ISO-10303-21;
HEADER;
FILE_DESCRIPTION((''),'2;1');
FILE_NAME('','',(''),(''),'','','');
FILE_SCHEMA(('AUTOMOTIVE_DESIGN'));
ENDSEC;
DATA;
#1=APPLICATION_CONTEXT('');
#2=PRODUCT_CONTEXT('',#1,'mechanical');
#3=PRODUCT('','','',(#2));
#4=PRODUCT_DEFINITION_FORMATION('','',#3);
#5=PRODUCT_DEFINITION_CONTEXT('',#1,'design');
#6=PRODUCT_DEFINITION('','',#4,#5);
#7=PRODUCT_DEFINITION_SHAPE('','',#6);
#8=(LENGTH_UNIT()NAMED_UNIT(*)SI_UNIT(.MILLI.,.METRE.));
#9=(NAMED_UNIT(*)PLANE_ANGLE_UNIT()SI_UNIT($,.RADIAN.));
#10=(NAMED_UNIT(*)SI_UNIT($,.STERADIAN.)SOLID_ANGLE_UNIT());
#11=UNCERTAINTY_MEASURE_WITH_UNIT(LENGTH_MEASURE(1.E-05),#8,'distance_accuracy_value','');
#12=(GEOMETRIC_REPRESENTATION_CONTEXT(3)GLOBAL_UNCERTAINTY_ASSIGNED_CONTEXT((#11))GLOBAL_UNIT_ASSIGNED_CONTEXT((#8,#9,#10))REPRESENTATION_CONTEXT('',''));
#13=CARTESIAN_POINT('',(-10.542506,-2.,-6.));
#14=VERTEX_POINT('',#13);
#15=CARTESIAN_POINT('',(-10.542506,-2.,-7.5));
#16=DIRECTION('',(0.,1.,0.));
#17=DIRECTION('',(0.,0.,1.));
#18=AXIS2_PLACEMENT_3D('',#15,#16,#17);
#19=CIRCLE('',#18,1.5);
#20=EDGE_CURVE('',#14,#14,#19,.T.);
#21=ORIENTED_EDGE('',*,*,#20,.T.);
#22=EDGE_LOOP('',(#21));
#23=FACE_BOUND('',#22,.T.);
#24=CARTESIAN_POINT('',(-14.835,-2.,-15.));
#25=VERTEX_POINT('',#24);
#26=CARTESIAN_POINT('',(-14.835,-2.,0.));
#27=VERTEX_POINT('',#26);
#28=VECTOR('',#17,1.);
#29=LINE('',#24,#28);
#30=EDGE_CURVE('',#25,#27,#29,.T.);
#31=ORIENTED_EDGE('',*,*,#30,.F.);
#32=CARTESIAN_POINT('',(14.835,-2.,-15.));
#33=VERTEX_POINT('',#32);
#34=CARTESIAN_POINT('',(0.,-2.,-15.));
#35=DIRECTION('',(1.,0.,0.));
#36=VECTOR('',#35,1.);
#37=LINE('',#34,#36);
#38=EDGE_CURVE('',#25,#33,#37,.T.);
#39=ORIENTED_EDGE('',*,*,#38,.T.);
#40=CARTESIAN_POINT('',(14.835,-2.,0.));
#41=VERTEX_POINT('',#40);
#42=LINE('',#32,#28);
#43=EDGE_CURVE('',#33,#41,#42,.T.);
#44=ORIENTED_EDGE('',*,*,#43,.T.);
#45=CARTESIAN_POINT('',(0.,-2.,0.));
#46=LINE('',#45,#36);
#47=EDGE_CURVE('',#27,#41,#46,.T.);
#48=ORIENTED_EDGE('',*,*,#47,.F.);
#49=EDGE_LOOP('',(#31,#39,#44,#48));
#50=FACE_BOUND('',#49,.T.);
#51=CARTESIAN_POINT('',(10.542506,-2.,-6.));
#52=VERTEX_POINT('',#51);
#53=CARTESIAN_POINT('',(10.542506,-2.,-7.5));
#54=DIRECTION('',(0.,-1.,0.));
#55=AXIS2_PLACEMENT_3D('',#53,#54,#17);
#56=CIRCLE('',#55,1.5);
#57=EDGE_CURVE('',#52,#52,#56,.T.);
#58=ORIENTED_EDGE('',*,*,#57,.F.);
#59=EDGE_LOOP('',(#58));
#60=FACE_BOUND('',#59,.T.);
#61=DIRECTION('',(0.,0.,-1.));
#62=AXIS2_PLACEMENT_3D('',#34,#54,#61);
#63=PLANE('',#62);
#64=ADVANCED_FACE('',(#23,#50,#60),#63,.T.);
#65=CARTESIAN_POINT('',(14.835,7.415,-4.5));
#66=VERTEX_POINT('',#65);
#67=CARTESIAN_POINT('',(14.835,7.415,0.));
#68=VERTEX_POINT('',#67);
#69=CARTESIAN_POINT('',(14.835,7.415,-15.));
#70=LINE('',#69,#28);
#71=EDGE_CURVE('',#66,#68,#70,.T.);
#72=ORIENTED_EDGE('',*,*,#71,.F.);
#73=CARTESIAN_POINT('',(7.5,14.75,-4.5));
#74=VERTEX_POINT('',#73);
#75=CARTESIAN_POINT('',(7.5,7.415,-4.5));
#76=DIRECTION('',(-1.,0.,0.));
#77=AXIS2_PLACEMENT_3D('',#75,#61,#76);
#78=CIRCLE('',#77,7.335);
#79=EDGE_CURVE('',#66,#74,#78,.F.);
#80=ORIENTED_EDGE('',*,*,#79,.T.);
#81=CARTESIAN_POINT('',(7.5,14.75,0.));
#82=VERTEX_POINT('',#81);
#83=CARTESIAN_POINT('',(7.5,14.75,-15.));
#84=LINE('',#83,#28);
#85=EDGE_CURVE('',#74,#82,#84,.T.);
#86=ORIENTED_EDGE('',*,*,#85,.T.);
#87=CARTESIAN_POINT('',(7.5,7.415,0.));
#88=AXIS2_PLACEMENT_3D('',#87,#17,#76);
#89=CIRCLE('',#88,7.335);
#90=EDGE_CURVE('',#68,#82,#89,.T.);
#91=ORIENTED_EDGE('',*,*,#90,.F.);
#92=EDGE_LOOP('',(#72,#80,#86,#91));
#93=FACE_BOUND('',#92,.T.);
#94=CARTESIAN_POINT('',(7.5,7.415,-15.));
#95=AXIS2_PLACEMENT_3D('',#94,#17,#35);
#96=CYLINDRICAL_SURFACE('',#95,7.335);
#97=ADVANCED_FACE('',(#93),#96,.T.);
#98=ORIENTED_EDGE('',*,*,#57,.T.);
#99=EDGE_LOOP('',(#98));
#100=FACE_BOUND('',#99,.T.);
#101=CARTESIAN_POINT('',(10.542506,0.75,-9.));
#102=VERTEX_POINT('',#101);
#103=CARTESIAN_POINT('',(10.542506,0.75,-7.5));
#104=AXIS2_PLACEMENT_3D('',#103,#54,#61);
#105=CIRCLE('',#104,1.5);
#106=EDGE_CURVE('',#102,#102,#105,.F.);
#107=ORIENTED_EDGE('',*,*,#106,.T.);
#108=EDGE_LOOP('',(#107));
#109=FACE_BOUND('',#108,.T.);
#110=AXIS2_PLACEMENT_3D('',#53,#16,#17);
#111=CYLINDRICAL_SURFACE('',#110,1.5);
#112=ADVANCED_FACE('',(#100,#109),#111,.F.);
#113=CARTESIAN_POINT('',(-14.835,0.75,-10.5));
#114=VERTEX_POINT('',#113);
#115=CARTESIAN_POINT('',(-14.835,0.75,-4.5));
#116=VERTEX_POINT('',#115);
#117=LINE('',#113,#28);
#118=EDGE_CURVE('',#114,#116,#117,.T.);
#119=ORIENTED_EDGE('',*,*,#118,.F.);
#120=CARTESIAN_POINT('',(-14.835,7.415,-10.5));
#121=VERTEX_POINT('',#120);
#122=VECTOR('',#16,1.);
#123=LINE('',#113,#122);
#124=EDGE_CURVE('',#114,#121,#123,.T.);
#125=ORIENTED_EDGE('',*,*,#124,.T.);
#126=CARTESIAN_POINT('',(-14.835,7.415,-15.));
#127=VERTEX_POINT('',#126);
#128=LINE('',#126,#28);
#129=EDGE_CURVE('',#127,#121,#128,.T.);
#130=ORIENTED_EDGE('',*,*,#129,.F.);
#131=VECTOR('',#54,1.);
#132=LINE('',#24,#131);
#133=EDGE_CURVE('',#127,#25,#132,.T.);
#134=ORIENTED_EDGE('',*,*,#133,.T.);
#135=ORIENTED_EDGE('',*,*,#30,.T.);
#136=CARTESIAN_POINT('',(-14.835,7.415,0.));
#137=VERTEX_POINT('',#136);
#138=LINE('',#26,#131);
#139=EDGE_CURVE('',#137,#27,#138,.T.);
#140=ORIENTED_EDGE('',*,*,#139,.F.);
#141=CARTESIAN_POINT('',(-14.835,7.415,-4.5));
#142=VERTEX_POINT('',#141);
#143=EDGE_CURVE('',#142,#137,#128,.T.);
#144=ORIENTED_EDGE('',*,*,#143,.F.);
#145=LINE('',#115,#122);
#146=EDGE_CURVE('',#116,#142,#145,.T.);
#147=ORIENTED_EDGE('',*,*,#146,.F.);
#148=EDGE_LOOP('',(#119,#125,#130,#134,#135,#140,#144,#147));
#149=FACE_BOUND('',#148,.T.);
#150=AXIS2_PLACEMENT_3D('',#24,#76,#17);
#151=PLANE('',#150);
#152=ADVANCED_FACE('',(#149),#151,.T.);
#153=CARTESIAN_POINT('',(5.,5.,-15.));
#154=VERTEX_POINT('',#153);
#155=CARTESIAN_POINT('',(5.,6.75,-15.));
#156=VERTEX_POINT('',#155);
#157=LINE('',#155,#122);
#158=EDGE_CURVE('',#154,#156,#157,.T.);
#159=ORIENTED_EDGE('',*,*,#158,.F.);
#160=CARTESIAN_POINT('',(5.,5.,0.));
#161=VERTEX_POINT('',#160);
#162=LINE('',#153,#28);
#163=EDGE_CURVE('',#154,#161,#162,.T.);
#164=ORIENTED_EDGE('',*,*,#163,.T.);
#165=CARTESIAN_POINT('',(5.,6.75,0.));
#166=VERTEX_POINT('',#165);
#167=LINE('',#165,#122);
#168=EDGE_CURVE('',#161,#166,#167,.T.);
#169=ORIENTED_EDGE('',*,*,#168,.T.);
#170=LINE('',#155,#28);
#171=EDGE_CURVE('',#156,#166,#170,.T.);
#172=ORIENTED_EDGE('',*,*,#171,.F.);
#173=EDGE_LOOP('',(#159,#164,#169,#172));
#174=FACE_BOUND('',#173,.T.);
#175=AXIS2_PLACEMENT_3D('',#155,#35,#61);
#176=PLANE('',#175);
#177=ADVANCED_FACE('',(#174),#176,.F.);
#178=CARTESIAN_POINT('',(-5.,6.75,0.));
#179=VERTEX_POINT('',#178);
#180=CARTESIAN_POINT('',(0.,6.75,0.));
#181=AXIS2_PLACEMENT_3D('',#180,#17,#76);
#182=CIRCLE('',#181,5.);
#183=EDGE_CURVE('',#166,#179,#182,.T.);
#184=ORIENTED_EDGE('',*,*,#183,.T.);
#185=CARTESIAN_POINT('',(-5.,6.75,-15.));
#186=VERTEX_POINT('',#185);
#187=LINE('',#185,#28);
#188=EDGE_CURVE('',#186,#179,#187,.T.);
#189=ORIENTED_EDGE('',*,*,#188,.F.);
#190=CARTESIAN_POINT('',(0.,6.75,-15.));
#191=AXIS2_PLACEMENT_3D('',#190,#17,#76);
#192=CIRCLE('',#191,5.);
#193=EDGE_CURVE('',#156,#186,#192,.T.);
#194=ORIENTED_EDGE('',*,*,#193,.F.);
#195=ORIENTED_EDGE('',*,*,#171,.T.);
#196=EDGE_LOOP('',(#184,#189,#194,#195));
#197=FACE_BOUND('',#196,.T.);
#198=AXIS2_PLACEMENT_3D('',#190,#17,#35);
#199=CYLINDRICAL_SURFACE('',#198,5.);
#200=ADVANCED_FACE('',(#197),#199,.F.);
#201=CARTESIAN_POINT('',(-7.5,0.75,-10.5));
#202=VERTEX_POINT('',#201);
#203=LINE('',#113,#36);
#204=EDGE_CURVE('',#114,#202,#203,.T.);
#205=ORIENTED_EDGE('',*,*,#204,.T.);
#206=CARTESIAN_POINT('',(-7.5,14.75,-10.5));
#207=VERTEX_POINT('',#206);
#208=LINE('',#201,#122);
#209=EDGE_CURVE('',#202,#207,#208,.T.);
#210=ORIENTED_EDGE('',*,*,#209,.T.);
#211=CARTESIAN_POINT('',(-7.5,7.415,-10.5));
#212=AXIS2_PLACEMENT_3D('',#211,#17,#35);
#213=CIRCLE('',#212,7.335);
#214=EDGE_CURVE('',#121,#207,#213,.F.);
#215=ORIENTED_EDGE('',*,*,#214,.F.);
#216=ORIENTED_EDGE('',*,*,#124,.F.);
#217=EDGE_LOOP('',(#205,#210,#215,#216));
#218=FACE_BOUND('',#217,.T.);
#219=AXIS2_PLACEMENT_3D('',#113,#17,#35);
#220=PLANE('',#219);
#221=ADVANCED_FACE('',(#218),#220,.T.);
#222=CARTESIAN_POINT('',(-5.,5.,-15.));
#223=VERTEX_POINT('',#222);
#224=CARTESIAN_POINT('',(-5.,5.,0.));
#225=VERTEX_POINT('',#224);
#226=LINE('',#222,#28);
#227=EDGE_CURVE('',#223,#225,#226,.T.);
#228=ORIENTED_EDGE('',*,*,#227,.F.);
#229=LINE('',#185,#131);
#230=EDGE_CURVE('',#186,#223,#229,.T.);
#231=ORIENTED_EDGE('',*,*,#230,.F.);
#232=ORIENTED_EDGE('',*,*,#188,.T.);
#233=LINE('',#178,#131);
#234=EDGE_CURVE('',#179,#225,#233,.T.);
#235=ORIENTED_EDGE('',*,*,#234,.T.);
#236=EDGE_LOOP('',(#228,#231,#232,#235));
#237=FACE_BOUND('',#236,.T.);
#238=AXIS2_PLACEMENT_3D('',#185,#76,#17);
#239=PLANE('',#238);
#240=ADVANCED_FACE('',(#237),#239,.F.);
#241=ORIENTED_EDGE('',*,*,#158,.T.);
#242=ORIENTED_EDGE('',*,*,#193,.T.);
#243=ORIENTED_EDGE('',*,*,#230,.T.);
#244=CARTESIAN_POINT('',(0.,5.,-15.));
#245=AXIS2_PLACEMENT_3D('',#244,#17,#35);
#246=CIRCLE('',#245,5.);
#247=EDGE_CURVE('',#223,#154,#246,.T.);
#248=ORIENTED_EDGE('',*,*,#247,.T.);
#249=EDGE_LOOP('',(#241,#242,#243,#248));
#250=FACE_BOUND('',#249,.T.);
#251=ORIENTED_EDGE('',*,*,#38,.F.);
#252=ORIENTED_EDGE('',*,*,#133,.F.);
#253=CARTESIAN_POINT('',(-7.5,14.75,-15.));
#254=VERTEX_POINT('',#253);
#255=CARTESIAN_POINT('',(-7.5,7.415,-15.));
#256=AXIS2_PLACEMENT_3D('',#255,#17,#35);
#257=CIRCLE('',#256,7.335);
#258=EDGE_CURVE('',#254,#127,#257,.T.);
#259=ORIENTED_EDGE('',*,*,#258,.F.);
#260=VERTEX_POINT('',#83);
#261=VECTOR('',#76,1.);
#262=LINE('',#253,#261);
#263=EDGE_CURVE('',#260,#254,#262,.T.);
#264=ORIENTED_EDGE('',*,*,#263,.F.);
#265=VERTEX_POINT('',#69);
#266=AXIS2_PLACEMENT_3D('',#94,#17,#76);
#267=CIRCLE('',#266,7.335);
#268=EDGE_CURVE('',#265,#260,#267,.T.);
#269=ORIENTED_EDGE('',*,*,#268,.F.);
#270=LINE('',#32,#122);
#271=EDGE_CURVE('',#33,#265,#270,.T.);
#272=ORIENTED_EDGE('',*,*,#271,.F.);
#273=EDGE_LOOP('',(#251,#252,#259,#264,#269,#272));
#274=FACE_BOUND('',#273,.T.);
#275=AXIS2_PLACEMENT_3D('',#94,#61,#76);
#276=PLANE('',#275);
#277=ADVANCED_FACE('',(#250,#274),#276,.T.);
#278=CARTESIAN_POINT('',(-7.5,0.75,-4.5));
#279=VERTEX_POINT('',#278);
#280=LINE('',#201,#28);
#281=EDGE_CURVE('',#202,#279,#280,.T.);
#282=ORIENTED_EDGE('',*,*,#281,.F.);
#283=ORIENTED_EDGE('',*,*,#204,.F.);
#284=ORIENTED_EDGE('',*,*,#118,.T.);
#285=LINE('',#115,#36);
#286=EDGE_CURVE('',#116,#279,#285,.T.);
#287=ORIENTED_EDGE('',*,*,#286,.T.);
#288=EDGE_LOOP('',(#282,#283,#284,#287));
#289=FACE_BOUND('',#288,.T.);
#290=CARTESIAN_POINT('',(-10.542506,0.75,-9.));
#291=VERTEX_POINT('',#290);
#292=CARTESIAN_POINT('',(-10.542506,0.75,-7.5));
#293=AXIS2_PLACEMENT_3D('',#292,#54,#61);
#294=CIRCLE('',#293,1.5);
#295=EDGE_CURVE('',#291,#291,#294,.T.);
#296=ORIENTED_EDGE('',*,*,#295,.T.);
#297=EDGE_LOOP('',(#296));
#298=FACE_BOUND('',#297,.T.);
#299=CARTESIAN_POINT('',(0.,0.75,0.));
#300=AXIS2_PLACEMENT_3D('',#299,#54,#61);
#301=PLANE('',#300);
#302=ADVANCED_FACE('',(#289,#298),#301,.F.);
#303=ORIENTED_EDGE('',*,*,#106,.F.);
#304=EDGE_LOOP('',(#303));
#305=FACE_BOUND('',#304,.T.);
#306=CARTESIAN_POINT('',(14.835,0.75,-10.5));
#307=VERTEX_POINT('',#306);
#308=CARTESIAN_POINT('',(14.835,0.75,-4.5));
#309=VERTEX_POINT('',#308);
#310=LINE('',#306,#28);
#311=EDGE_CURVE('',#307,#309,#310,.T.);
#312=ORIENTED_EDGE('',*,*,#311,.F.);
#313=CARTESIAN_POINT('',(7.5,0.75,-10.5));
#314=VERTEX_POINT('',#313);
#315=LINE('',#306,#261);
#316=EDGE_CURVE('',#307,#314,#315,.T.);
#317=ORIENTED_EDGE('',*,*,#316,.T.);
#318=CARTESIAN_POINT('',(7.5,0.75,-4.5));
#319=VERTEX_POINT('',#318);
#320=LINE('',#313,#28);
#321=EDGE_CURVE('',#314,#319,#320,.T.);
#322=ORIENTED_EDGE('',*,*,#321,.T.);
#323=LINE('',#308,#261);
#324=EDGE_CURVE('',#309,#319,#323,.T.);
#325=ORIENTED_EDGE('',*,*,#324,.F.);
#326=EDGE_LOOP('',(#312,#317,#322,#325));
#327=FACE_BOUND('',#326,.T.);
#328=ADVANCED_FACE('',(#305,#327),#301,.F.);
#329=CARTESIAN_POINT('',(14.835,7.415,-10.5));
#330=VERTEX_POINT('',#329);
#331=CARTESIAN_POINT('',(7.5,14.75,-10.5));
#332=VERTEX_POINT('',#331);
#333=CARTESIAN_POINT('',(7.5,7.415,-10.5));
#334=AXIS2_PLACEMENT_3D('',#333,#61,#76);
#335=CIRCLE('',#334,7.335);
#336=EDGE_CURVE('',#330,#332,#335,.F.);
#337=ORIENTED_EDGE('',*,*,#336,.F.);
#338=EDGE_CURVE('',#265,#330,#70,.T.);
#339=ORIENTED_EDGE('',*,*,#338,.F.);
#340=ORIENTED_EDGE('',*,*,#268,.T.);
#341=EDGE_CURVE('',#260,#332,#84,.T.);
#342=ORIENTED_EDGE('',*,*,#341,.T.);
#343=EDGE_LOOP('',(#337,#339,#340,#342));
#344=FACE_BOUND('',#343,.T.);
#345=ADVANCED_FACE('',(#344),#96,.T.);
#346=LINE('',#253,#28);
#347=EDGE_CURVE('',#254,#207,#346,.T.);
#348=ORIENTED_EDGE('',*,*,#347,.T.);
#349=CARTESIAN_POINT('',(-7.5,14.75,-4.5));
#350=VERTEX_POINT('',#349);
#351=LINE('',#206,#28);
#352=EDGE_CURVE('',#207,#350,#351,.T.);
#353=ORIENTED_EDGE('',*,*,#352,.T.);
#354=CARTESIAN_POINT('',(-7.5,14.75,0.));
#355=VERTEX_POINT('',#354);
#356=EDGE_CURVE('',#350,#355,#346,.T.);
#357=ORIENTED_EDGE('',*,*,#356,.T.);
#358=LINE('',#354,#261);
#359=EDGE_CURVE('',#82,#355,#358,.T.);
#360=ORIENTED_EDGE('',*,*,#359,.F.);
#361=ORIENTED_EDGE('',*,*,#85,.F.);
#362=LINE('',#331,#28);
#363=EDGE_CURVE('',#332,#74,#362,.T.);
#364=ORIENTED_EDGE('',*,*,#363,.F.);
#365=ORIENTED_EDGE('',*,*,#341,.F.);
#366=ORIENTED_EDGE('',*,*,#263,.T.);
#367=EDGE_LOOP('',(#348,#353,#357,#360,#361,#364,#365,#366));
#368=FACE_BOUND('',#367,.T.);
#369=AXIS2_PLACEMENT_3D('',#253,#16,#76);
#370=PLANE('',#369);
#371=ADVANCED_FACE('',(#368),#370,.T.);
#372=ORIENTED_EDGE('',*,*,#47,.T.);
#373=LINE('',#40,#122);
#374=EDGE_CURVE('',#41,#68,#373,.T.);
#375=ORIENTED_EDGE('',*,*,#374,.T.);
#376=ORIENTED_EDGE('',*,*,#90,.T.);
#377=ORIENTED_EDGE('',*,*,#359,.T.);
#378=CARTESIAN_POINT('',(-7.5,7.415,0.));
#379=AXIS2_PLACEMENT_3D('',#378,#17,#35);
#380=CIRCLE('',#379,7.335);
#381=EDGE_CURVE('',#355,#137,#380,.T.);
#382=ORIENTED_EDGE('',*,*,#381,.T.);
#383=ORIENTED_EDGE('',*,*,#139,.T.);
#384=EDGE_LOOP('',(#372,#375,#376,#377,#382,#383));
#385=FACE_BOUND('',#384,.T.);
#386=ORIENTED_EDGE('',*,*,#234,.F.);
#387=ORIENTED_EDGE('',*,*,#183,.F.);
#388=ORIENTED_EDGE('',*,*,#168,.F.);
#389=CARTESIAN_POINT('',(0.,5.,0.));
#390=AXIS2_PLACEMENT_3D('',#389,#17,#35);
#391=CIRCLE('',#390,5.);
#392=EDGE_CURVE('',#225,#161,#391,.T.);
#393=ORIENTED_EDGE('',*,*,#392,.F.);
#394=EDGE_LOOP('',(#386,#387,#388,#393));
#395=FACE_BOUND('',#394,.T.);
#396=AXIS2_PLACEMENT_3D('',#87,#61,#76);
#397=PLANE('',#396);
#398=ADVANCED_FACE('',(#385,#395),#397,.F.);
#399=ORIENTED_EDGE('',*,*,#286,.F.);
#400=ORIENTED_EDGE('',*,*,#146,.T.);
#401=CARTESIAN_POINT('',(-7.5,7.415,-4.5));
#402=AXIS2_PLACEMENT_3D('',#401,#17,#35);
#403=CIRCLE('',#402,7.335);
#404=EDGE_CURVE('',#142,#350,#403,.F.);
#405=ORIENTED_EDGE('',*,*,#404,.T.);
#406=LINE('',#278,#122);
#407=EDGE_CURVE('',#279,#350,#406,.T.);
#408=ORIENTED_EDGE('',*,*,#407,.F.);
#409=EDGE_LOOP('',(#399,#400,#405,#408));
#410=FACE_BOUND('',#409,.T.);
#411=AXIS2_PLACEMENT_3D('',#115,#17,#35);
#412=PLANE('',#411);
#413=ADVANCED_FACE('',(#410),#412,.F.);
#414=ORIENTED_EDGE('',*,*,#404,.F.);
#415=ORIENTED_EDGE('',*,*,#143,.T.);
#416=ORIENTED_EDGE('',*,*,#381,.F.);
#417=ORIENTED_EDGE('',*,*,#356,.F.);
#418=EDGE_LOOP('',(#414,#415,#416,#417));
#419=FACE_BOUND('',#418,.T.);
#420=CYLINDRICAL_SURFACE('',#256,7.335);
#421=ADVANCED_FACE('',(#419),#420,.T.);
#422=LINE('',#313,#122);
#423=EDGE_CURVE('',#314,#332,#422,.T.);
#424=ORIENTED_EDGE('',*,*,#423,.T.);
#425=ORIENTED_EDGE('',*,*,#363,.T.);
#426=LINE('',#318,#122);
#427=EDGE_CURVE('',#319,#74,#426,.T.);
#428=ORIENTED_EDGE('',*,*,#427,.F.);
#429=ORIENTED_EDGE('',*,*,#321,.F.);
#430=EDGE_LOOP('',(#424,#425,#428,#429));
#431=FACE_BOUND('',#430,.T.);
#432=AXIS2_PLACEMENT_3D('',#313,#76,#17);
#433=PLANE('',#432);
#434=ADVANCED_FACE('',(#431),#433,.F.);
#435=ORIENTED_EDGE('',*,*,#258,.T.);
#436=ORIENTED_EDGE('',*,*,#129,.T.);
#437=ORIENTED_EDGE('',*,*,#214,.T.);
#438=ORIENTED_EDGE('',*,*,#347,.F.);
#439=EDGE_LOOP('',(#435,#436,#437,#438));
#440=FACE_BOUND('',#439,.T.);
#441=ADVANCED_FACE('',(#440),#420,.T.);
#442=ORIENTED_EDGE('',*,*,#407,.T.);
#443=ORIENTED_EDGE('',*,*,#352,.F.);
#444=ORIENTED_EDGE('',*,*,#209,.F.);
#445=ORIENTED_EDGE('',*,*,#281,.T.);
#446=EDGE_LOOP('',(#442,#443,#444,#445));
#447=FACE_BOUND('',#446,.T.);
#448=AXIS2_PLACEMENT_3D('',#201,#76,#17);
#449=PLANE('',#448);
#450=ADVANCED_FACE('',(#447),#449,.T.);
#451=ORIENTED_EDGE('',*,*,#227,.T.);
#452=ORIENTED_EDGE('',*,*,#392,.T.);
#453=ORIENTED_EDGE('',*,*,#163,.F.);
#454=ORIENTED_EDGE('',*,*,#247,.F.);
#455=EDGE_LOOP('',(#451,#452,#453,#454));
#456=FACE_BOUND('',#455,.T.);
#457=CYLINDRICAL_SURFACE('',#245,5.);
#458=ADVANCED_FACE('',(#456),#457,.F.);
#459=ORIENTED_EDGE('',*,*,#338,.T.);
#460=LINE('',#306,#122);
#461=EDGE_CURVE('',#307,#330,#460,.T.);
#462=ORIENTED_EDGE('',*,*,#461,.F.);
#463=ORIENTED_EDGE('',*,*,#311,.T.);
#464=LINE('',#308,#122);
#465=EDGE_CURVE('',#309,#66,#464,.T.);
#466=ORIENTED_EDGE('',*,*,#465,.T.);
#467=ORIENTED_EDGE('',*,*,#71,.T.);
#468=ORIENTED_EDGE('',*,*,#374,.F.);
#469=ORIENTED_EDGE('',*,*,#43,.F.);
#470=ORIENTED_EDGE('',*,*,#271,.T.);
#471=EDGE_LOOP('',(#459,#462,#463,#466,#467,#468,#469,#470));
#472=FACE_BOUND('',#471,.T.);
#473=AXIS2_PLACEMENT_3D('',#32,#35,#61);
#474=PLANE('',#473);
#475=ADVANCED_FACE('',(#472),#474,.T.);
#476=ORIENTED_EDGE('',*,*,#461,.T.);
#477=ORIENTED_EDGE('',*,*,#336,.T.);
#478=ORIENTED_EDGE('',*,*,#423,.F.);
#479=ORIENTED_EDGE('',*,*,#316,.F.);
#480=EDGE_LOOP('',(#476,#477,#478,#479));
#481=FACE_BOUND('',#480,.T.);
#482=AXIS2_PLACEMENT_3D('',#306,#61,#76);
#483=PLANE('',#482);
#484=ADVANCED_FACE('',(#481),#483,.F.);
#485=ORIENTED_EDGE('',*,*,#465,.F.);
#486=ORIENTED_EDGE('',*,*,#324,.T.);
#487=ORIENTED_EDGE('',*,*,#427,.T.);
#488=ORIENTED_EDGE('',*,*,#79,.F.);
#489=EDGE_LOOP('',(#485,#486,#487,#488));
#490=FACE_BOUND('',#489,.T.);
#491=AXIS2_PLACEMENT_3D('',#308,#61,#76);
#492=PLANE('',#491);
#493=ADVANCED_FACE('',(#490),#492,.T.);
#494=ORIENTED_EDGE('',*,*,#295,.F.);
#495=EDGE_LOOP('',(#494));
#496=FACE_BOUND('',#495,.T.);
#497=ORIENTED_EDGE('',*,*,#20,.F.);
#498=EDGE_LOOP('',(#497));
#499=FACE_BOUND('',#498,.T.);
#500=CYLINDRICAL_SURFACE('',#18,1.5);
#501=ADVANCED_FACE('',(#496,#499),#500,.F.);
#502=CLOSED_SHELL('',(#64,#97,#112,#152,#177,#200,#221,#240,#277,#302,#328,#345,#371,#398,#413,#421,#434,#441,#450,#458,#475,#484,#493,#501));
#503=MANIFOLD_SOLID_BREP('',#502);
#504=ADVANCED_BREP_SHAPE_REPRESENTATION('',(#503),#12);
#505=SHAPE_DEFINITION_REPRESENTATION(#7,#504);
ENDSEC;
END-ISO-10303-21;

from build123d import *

# Parameters (mm, degrees)
BOSS_EXTRUDE1_DEPTH = 15
SKETCH2_W           = 7.335
SKETCH2_H           = 6
CUT_EXTRUDE1_DEPTH  = 14
SKETCH2_3_R         = 1.5
CUT_EXTRUDE2_DEPTH  = 27.937700811


with BuildPart() as part:
    # Sketch1 → Boss-Extrude1 (new body)
    with BuildSketch(Plane.XY):
        with BuildLine():
            Line((0, -2), (-14.835, -2))
            Line((-14.835, -2), (-14.835, 7.415))
            ThreePointArc((-14.835, 7.415), (-12.68662824, 12.60162824), (-7.5, 14.75))
            Line((-7.5, 14.75), (7.5, 14.75))
            ThreePointArc((7.5, 14.75), (12.68662824, 12.60162824), (14.835, 7.415))
            Line((14.835, 7.415), (14.835, -2))
            Line((14.835, -2), (0, -2))
        make_face()
        with BuildLine():
            Line((-5, 6.75), (-5, 5))
            ThreePointArc((-5, 5), (0, 0), (5, 5))
            Line((5, 5), (5, 6.75))
            ThreePointArc((5, 6.75), (0, 11.75), (-5, 6.75))
        make_face(mode=Mode.SUBTRACT)
    extrude(amount=-BOSS_EXTRUDE1_DEPTH)

    # Sketch2 → Cut-Extrude1 (cut)
    with BuildSketch(Plane(origin=(0, 14.75, 0), x_dir=(1, 0, 0), z_dir=(0, 1, 0))):
        with Locations((-11.1675, 7.5)):
            Rectangle(SKETCH2_W, SKETCH2_H)
    cut_extrude1 = extrude(amount=-CUT_EXTRUDE1_DEPTH, mode=Mode.SUBTRACT)

    # Sketch2<3> → Cut-Extrude2 (cut, through all)
    with BuildSketch(Plane(origin=(0, 14.75, 0), x_dir=(1, 0, 0), z_dir=(0, 1, 0))):
        with Locations((-10.54250606, 7.5)):
            Circle(SKETCH2_3_R)
    cut_extrude2 = extrude(amount=-CUT_EXTRUDE2_DEPTH, mode=Mode.SUBTRACT)

    # Mirror1: Cut-Extrude1, Cut-Extrude2 across plane
    add(cut_extrude1.mirror(Plane(origin=(0, 0, 0), x_dir=(0, 0, 1), z_dir=(1, 0, 0))), mode=Mode.SUBTRACT)
    add(cut_extrude2.mirror(Plane(origin=(0, 0, 0), x_dir=(0, 0, 1), z_dir=(1, 0, 0))), mode=Mode.SUBTRACT)


solid = part.part
